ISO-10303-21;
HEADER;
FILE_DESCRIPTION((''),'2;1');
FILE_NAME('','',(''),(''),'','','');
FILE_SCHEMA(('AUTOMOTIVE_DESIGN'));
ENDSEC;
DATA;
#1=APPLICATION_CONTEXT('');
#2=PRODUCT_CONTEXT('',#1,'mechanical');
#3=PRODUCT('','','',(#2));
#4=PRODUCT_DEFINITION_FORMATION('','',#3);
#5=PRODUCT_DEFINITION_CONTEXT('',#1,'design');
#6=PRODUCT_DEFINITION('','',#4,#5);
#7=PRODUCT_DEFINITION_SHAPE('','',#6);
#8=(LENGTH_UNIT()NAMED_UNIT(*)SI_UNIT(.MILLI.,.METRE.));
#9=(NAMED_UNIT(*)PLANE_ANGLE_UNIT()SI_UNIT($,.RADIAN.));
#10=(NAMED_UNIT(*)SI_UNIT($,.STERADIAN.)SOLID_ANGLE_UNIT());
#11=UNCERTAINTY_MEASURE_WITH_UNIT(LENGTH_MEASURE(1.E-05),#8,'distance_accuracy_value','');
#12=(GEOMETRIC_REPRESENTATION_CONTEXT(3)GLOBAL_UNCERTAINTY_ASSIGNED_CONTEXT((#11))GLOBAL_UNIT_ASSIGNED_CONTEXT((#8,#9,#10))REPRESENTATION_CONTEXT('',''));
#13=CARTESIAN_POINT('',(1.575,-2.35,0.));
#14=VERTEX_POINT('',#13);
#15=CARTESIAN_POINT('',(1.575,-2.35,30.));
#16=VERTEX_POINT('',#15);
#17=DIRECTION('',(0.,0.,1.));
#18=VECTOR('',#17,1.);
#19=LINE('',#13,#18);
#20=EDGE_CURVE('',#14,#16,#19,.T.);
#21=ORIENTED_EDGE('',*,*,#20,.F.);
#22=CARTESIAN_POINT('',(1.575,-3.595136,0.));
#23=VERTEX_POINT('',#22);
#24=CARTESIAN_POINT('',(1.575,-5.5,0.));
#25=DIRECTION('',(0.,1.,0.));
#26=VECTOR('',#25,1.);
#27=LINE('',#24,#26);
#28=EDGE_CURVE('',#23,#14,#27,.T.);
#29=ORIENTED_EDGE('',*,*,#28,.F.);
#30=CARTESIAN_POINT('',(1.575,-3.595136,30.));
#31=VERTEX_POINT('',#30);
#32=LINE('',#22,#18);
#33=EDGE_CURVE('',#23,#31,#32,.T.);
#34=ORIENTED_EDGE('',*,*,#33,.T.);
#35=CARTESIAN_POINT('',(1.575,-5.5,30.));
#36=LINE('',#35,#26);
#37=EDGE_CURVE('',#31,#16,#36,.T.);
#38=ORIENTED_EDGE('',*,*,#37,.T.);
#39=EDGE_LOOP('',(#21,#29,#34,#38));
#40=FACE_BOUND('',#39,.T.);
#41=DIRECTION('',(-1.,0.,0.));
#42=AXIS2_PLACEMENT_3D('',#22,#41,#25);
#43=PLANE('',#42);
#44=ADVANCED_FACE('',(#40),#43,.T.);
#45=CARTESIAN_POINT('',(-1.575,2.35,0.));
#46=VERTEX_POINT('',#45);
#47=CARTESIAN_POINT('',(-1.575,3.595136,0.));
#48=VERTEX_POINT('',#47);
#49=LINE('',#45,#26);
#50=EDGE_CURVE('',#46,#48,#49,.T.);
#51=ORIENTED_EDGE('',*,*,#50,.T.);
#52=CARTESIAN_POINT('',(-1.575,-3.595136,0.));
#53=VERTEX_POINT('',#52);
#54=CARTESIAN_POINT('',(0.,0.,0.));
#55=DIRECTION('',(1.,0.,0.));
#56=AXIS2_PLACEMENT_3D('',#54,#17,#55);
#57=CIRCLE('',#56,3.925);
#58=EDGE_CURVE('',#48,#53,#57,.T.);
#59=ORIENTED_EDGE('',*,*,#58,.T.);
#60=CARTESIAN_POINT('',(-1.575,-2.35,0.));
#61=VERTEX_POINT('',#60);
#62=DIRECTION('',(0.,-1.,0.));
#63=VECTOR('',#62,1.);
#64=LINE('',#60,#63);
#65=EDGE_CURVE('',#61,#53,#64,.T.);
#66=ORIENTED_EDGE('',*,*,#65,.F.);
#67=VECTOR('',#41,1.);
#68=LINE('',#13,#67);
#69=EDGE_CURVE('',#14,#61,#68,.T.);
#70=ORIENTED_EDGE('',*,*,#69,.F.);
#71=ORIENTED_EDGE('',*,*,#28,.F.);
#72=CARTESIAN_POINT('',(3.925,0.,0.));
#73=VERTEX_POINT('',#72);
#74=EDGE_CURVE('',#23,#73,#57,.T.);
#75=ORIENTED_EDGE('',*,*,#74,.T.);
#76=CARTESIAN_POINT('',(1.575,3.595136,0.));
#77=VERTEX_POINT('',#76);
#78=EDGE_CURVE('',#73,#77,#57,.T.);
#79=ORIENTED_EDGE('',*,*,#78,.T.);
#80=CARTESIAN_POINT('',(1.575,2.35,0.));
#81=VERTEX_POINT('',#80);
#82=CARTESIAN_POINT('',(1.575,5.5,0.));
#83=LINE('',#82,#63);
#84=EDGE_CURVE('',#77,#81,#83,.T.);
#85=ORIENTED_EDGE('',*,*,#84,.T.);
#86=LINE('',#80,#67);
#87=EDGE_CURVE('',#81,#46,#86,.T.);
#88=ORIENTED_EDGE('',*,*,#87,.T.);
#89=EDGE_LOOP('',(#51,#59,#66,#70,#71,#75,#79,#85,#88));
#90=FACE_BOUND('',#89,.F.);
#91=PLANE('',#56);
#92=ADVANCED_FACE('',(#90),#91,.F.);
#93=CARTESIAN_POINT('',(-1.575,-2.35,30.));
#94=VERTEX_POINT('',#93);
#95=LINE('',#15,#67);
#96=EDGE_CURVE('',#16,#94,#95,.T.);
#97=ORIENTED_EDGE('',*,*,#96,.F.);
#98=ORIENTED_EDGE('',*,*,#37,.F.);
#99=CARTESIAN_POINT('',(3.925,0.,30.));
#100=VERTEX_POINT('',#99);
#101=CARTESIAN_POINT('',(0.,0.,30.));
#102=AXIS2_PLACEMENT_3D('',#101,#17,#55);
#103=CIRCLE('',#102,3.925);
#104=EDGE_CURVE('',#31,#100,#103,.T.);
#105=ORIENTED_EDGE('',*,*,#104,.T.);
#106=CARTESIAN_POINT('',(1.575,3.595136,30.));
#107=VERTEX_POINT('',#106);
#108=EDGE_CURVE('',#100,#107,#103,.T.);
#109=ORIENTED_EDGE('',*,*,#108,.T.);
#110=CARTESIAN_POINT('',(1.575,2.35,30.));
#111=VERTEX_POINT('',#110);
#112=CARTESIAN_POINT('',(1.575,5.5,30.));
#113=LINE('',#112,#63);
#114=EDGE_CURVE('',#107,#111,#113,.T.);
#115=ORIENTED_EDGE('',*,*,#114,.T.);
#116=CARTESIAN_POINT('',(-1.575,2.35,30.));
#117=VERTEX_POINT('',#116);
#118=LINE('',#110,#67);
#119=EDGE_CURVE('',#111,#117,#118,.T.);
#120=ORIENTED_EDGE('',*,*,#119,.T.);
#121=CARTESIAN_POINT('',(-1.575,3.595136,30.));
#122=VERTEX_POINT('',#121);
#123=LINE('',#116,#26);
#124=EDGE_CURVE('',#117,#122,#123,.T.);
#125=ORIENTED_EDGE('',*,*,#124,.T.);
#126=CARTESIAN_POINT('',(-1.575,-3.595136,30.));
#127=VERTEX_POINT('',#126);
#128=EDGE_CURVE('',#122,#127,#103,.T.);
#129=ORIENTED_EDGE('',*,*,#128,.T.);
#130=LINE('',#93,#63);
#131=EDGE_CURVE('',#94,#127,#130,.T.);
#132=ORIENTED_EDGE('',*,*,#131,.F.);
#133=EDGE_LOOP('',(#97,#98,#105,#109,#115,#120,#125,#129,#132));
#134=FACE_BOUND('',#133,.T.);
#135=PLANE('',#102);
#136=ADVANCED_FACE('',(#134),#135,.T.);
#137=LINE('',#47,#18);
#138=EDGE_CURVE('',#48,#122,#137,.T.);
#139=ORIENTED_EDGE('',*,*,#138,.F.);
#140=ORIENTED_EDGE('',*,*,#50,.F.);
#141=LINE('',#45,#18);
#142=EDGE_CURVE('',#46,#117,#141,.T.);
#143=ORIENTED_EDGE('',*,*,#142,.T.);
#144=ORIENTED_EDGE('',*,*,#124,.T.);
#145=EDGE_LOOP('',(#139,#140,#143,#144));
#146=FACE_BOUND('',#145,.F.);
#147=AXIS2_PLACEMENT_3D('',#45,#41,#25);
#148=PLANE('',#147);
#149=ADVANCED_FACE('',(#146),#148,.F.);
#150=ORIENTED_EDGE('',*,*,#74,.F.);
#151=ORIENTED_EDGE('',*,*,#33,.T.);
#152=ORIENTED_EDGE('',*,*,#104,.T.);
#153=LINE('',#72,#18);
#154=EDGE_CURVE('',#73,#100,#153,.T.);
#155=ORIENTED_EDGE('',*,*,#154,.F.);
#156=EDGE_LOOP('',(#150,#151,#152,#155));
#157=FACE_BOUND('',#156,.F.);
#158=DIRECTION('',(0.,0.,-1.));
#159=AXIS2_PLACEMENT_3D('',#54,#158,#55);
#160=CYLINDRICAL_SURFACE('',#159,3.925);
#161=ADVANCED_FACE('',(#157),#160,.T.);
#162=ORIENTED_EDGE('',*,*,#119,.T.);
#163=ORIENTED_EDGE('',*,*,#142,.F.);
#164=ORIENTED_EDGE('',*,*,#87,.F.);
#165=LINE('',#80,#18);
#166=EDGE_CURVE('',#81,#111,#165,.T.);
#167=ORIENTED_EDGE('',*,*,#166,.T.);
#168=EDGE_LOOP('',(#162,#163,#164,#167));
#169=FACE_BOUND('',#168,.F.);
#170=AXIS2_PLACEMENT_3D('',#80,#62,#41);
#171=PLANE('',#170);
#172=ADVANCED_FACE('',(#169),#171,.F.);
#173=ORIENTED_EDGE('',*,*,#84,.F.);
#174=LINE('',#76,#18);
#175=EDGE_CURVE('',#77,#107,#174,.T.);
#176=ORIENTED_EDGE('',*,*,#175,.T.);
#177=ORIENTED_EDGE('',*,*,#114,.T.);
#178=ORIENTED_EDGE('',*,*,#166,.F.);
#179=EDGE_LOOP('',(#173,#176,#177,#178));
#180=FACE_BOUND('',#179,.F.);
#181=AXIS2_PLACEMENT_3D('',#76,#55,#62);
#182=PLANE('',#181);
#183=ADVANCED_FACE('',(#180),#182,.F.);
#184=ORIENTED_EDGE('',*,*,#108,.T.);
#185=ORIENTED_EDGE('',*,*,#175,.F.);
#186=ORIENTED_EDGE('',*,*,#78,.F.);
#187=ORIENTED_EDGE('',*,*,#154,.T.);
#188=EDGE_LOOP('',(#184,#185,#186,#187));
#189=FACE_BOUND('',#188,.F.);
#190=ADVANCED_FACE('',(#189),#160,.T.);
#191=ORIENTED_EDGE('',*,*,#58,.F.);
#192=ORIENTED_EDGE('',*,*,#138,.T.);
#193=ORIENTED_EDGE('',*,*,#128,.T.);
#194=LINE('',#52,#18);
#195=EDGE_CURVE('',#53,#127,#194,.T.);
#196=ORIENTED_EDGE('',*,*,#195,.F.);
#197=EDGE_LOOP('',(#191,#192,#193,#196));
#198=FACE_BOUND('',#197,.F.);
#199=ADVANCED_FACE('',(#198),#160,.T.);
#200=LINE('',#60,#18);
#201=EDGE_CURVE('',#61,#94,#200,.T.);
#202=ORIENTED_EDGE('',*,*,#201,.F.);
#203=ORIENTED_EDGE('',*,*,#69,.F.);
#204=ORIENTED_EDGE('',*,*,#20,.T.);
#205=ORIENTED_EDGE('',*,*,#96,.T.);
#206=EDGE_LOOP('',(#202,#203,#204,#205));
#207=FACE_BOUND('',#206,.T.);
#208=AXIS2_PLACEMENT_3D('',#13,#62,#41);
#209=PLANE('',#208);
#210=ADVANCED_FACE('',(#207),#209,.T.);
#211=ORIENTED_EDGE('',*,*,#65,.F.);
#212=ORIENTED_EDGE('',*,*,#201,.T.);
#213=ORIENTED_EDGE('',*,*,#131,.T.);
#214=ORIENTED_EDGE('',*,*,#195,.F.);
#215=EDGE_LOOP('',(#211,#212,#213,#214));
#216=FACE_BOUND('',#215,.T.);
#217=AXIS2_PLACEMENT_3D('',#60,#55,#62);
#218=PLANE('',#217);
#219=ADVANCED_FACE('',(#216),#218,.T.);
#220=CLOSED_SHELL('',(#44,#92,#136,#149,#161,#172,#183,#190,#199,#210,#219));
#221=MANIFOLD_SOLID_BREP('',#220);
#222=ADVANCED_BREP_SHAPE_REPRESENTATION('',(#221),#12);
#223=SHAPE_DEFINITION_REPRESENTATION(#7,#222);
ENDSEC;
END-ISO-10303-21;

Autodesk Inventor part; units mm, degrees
ref_plane "YZ Plane" through (0, 0, 0) normal (1, 0, 0) x (0, 1, 0)
ref_plane "XZ Plane" through (0, 0, 0) normal (0, 1, 0) x (-1, 0, 0)
ref_plane "XY Plane" through (0, 0, 0) normal (0, 0, 1) x (1, 0, 0)
sketch "Sketch1" plane through (0, 0, 0) normal (0, 0, 1) x (1, 0, 0)
  circle A0 centre (0, 0) radius 3.925
  line L0 (-1.575, 5.5) -> (1.575, 5.5)
  line L1 (1.575, 5.5) -> (1.575, 2.35)
  line L2 (1.575, 2.35) -> (-1.575, 2.35)
  line L3 (-1.575, 2.35) -> (-1.575, 5.5)
  line L4 (-1.575, 5.5) -> (1.575, 2.35) construction
  line L5 (1.575, 5.5) -> (-1.575, 2.35) construction
  line L6 (-1.575, -5.5) -> (1.575, -5.5)
  line L7 (1.575, -5.5) -> (1.575, -2.35)
  line L8 (1.575, -2.35) -> (-1.575, -2.35)
  line L9 (-1.575, -2.35) -> (-1.575, -5.5)
  line L10 (-1.575, -5.5) -> (1.575, -2.35) construction
  line L11 (1.575, -5.5) -> (-1.575, -2.35) construction
  point P0 (0, 3.925)
  point P1 (0, -3.925)
  point P2 (-1.575, 3.5951)
  point P3 (-1.575, -3.5951)
  point P4 (1.575, -3.5951)
  point P5 (1.575, 3.5951)
  dimension "d0" = 7.85
  dimension "d1" = 3.15
  dimension "d2" = 3.15
  dimension "d3" = 3.15
  dimension "d4" = 3.15
extrude "Extrusion1" add sketch "Sketch1" along normal blind 30 contours A0 L7 L8 L9 L3 L2 L1
properties part number "long_axel"
